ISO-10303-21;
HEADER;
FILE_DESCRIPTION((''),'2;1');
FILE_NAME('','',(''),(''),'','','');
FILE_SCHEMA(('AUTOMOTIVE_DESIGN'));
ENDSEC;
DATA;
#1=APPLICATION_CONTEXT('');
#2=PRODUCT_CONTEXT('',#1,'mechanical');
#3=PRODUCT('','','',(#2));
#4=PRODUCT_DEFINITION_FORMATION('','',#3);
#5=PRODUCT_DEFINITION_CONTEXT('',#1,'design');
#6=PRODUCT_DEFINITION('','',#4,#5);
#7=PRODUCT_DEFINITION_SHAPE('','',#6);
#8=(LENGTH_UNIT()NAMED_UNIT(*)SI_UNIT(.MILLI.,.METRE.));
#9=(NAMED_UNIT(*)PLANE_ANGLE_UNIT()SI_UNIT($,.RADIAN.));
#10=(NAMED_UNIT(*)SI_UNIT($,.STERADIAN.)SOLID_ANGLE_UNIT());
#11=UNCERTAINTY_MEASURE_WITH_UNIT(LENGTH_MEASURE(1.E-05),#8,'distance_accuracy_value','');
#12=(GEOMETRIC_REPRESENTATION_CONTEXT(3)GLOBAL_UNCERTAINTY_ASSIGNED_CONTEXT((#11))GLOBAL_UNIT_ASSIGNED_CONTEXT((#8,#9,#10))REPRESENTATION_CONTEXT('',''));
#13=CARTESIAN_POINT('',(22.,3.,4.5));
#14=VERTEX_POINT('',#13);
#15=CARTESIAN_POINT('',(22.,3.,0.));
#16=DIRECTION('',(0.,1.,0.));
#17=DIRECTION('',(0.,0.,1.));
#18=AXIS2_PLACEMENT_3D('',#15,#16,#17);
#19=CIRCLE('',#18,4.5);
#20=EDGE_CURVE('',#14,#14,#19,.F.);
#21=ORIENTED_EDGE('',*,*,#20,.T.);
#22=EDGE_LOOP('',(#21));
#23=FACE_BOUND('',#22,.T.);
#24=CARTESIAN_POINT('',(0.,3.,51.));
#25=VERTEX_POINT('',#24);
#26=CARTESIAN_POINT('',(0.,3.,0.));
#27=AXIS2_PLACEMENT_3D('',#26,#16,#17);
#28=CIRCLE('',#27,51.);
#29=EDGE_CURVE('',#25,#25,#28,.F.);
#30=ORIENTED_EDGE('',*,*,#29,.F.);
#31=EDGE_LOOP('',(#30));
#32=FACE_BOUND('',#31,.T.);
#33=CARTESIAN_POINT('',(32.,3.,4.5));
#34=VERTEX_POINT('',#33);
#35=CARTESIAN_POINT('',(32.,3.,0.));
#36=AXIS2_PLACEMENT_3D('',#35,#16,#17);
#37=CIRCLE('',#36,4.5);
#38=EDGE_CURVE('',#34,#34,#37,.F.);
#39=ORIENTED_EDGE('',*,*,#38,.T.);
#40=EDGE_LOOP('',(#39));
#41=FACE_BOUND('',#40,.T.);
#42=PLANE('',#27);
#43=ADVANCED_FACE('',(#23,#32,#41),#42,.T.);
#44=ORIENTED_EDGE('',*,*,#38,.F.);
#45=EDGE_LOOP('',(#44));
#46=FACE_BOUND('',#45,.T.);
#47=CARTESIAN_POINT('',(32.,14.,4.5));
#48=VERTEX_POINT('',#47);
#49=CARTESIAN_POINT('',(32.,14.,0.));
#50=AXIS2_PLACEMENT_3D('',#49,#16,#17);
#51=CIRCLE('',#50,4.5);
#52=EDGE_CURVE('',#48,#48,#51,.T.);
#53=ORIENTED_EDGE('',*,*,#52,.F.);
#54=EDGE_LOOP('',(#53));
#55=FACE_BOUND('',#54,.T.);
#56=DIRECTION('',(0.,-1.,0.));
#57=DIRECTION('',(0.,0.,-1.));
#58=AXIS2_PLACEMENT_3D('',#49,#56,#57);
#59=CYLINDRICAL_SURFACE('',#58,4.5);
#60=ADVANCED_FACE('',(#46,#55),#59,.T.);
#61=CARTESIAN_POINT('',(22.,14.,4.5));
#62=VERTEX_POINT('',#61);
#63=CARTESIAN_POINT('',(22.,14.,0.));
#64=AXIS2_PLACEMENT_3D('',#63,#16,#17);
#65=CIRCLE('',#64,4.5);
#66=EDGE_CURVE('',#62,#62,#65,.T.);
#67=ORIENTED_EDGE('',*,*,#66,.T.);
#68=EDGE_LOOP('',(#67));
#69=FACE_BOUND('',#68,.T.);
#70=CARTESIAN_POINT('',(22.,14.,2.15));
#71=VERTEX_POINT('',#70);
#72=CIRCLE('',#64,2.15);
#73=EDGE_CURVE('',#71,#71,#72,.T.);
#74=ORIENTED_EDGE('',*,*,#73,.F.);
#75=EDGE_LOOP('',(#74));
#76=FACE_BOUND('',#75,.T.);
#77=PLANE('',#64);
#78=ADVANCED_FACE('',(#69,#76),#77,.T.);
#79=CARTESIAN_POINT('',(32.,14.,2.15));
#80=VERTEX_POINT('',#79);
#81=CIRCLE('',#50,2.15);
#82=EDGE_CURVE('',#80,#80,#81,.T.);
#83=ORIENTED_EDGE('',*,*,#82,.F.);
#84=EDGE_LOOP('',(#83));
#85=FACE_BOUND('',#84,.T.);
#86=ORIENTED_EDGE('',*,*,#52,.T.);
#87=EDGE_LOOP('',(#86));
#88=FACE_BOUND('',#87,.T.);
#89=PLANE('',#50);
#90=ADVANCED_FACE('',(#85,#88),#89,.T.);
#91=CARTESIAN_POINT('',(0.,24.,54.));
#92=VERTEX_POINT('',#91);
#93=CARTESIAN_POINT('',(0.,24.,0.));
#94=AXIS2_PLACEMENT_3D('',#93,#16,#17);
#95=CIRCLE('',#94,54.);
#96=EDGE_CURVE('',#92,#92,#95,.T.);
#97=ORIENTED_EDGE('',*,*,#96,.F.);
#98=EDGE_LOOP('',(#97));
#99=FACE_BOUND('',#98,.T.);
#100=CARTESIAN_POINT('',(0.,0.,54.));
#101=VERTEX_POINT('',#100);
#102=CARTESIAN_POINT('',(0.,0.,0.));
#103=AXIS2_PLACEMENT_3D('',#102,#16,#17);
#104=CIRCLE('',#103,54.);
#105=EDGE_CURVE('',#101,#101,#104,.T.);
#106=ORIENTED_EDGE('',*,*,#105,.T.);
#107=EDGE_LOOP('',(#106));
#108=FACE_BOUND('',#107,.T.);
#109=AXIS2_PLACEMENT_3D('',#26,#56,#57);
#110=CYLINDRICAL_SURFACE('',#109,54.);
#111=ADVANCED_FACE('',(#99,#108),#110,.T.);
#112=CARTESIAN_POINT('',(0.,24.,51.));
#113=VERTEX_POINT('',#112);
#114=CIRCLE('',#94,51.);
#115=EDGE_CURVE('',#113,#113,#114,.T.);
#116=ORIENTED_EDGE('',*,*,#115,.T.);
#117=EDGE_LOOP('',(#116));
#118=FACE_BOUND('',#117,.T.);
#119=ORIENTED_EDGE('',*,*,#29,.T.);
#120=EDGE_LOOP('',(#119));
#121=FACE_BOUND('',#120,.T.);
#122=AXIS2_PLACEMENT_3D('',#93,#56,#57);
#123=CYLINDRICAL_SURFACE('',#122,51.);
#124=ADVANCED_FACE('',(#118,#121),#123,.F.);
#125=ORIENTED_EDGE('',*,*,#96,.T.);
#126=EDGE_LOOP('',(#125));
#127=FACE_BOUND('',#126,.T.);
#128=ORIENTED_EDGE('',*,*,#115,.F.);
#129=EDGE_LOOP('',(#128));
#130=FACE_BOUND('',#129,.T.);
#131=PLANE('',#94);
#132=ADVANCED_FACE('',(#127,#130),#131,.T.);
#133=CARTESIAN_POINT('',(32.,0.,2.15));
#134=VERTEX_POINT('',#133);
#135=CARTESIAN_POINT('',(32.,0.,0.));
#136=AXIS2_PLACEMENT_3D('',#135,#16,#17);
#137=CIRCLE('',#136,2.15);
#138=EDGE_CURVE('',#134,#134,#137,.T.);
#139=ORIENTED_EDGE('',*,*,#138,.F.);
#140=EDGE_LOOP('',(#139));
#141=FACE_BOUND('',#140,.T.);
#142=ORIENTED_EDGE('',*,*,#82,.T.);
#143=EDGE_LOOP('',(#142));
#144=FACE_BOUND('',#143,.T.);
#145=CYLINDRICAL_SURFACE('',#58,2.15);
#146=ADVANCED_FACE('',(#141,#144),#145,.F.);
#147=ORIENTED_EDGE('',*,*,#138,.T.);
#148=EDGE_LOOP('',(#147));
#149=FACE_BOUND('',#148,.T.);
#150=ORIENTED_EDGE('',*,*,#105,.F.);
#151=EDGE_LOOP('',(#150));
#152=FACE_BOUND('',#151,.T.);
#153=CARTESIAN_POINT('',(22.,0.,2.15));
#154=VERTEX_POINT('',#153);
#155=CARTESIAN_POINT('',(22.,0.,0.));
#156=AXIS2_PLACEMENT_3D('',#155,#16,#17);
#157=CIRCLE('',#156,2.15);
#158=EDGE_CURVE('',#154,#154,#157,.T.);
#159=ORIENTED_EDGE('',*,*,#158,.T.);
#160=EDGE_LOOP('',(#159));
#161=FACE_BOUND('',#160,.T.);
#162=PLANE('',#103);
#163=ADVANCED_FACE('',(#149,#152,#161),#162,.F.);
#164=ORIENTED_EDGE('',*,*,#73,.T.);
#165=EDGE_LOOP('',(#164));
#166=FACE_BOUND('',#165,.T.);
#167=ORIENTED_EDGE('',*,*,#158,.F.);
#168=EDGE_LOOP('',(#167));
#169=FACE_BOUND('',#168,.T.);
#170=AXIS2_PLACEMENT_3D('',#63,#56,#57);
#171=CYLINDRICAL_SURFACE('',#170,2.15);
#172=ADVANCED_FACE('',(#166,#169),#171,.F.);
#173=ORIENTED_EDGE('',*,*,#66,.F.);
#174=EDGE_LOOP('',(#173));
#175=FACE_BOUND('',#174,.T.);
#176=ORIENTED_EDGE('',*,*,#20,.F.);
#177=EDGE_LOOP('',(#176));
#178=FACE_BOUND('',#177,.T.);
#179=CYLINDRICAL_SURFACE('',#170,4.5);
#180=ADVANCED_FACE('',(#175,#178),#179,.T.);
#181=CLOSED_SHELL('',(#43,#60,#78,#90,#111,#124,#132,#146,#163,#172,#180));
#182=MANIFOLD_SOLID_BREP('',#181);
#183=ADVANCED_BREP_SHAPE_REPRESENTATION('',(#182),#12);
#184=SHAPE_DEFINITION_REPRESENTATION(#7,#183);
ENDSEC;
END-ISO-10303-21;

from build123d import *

# Parameters (mm, degrees)
SKETCH_1_R                     = 54
FLOOR_D108_T3_DEPTH            = 3
SKETCH_2_R                     = 54
SKETCH_2_R_2                   = 51
RIM_OD108_ID102_H24_DEPTH      = 24
SKETCH_3_R                     = 4.5
SENSOR_FIXED_POSTS_DEPTH       = 14
SKETCH_4_R                     = 2.15
M4_FIXED_MOUNT_CLEARANCE_DEPTH = 14


with BuildPart() as part:
    # 草图1 → Floor_D108_T3 (new body)
    with BuildSketch(Plane(origin=(0, 0, 0), x_dir=(1, 0, 0), z_dir=(0, 1, 0))):
        with Locations(Location((0, 0, 0), (0, 0, 270))):
            Circle(SKETCH_1_R)
    extrude(amount=FLOOR_D108_T3_DEPTH)

    # 草图2 → Rim_OD108_ID102_H24 (add)
    with BuildSketch(Plane(origin=(0, 0, 0), x_dir=(1, 0, 0), z_dir=(0, 1, 0))):
        with Locations(Location((0, 0, 0), (0, 0, 270))):
            Circle(SKETCH_2_R)
        with Locations(Location((0, 0, 0), (0, 0, 270))):
            Circle(SKETCH_2_R_2, mode=Mode.SUBTRACT)
    extrude(amount=RIM_OD108_ID102_H24_DEPTH)

    # 草图3 → Sensor_fixed_posts (add)
    with BuildSketch(Plane(origin=(0, 0, 0), x_dir=(1, 0, 0), z_dir=(0, 1, 0))):
        with Locations(Location((22, 0, 0), (0, 0, 270))):
            Circle(SKETCH_3_R)
        with Locations(Location((32, 0, 0), (0, 0, 270))):
            Circle(SKETCH_3_R)
    extrude(amount=SENSOR_FIXED_POSTS_DEPTH)

    # 草图4 → M4_fixed_mount_clearance (cut)
    with BuildSketch(Plane(origin=(0, 0, 0), x_dir=(1, 0, 0), z_dir=(0, 1, 0))):
        with Locations(Location((22, 0, 0), (0, 0, 270))):
            Circle(SKETCH_4_R)
        with Locations(Location((32, 0, 0), (0, 0, 270))):
            Circle(SKETCH_4_R)
    extrude(amount=M4_FIXED_MOUNT_CLEARANCE_DEPTH, mode=Mode.SUBTRACT)


solid = part.part
